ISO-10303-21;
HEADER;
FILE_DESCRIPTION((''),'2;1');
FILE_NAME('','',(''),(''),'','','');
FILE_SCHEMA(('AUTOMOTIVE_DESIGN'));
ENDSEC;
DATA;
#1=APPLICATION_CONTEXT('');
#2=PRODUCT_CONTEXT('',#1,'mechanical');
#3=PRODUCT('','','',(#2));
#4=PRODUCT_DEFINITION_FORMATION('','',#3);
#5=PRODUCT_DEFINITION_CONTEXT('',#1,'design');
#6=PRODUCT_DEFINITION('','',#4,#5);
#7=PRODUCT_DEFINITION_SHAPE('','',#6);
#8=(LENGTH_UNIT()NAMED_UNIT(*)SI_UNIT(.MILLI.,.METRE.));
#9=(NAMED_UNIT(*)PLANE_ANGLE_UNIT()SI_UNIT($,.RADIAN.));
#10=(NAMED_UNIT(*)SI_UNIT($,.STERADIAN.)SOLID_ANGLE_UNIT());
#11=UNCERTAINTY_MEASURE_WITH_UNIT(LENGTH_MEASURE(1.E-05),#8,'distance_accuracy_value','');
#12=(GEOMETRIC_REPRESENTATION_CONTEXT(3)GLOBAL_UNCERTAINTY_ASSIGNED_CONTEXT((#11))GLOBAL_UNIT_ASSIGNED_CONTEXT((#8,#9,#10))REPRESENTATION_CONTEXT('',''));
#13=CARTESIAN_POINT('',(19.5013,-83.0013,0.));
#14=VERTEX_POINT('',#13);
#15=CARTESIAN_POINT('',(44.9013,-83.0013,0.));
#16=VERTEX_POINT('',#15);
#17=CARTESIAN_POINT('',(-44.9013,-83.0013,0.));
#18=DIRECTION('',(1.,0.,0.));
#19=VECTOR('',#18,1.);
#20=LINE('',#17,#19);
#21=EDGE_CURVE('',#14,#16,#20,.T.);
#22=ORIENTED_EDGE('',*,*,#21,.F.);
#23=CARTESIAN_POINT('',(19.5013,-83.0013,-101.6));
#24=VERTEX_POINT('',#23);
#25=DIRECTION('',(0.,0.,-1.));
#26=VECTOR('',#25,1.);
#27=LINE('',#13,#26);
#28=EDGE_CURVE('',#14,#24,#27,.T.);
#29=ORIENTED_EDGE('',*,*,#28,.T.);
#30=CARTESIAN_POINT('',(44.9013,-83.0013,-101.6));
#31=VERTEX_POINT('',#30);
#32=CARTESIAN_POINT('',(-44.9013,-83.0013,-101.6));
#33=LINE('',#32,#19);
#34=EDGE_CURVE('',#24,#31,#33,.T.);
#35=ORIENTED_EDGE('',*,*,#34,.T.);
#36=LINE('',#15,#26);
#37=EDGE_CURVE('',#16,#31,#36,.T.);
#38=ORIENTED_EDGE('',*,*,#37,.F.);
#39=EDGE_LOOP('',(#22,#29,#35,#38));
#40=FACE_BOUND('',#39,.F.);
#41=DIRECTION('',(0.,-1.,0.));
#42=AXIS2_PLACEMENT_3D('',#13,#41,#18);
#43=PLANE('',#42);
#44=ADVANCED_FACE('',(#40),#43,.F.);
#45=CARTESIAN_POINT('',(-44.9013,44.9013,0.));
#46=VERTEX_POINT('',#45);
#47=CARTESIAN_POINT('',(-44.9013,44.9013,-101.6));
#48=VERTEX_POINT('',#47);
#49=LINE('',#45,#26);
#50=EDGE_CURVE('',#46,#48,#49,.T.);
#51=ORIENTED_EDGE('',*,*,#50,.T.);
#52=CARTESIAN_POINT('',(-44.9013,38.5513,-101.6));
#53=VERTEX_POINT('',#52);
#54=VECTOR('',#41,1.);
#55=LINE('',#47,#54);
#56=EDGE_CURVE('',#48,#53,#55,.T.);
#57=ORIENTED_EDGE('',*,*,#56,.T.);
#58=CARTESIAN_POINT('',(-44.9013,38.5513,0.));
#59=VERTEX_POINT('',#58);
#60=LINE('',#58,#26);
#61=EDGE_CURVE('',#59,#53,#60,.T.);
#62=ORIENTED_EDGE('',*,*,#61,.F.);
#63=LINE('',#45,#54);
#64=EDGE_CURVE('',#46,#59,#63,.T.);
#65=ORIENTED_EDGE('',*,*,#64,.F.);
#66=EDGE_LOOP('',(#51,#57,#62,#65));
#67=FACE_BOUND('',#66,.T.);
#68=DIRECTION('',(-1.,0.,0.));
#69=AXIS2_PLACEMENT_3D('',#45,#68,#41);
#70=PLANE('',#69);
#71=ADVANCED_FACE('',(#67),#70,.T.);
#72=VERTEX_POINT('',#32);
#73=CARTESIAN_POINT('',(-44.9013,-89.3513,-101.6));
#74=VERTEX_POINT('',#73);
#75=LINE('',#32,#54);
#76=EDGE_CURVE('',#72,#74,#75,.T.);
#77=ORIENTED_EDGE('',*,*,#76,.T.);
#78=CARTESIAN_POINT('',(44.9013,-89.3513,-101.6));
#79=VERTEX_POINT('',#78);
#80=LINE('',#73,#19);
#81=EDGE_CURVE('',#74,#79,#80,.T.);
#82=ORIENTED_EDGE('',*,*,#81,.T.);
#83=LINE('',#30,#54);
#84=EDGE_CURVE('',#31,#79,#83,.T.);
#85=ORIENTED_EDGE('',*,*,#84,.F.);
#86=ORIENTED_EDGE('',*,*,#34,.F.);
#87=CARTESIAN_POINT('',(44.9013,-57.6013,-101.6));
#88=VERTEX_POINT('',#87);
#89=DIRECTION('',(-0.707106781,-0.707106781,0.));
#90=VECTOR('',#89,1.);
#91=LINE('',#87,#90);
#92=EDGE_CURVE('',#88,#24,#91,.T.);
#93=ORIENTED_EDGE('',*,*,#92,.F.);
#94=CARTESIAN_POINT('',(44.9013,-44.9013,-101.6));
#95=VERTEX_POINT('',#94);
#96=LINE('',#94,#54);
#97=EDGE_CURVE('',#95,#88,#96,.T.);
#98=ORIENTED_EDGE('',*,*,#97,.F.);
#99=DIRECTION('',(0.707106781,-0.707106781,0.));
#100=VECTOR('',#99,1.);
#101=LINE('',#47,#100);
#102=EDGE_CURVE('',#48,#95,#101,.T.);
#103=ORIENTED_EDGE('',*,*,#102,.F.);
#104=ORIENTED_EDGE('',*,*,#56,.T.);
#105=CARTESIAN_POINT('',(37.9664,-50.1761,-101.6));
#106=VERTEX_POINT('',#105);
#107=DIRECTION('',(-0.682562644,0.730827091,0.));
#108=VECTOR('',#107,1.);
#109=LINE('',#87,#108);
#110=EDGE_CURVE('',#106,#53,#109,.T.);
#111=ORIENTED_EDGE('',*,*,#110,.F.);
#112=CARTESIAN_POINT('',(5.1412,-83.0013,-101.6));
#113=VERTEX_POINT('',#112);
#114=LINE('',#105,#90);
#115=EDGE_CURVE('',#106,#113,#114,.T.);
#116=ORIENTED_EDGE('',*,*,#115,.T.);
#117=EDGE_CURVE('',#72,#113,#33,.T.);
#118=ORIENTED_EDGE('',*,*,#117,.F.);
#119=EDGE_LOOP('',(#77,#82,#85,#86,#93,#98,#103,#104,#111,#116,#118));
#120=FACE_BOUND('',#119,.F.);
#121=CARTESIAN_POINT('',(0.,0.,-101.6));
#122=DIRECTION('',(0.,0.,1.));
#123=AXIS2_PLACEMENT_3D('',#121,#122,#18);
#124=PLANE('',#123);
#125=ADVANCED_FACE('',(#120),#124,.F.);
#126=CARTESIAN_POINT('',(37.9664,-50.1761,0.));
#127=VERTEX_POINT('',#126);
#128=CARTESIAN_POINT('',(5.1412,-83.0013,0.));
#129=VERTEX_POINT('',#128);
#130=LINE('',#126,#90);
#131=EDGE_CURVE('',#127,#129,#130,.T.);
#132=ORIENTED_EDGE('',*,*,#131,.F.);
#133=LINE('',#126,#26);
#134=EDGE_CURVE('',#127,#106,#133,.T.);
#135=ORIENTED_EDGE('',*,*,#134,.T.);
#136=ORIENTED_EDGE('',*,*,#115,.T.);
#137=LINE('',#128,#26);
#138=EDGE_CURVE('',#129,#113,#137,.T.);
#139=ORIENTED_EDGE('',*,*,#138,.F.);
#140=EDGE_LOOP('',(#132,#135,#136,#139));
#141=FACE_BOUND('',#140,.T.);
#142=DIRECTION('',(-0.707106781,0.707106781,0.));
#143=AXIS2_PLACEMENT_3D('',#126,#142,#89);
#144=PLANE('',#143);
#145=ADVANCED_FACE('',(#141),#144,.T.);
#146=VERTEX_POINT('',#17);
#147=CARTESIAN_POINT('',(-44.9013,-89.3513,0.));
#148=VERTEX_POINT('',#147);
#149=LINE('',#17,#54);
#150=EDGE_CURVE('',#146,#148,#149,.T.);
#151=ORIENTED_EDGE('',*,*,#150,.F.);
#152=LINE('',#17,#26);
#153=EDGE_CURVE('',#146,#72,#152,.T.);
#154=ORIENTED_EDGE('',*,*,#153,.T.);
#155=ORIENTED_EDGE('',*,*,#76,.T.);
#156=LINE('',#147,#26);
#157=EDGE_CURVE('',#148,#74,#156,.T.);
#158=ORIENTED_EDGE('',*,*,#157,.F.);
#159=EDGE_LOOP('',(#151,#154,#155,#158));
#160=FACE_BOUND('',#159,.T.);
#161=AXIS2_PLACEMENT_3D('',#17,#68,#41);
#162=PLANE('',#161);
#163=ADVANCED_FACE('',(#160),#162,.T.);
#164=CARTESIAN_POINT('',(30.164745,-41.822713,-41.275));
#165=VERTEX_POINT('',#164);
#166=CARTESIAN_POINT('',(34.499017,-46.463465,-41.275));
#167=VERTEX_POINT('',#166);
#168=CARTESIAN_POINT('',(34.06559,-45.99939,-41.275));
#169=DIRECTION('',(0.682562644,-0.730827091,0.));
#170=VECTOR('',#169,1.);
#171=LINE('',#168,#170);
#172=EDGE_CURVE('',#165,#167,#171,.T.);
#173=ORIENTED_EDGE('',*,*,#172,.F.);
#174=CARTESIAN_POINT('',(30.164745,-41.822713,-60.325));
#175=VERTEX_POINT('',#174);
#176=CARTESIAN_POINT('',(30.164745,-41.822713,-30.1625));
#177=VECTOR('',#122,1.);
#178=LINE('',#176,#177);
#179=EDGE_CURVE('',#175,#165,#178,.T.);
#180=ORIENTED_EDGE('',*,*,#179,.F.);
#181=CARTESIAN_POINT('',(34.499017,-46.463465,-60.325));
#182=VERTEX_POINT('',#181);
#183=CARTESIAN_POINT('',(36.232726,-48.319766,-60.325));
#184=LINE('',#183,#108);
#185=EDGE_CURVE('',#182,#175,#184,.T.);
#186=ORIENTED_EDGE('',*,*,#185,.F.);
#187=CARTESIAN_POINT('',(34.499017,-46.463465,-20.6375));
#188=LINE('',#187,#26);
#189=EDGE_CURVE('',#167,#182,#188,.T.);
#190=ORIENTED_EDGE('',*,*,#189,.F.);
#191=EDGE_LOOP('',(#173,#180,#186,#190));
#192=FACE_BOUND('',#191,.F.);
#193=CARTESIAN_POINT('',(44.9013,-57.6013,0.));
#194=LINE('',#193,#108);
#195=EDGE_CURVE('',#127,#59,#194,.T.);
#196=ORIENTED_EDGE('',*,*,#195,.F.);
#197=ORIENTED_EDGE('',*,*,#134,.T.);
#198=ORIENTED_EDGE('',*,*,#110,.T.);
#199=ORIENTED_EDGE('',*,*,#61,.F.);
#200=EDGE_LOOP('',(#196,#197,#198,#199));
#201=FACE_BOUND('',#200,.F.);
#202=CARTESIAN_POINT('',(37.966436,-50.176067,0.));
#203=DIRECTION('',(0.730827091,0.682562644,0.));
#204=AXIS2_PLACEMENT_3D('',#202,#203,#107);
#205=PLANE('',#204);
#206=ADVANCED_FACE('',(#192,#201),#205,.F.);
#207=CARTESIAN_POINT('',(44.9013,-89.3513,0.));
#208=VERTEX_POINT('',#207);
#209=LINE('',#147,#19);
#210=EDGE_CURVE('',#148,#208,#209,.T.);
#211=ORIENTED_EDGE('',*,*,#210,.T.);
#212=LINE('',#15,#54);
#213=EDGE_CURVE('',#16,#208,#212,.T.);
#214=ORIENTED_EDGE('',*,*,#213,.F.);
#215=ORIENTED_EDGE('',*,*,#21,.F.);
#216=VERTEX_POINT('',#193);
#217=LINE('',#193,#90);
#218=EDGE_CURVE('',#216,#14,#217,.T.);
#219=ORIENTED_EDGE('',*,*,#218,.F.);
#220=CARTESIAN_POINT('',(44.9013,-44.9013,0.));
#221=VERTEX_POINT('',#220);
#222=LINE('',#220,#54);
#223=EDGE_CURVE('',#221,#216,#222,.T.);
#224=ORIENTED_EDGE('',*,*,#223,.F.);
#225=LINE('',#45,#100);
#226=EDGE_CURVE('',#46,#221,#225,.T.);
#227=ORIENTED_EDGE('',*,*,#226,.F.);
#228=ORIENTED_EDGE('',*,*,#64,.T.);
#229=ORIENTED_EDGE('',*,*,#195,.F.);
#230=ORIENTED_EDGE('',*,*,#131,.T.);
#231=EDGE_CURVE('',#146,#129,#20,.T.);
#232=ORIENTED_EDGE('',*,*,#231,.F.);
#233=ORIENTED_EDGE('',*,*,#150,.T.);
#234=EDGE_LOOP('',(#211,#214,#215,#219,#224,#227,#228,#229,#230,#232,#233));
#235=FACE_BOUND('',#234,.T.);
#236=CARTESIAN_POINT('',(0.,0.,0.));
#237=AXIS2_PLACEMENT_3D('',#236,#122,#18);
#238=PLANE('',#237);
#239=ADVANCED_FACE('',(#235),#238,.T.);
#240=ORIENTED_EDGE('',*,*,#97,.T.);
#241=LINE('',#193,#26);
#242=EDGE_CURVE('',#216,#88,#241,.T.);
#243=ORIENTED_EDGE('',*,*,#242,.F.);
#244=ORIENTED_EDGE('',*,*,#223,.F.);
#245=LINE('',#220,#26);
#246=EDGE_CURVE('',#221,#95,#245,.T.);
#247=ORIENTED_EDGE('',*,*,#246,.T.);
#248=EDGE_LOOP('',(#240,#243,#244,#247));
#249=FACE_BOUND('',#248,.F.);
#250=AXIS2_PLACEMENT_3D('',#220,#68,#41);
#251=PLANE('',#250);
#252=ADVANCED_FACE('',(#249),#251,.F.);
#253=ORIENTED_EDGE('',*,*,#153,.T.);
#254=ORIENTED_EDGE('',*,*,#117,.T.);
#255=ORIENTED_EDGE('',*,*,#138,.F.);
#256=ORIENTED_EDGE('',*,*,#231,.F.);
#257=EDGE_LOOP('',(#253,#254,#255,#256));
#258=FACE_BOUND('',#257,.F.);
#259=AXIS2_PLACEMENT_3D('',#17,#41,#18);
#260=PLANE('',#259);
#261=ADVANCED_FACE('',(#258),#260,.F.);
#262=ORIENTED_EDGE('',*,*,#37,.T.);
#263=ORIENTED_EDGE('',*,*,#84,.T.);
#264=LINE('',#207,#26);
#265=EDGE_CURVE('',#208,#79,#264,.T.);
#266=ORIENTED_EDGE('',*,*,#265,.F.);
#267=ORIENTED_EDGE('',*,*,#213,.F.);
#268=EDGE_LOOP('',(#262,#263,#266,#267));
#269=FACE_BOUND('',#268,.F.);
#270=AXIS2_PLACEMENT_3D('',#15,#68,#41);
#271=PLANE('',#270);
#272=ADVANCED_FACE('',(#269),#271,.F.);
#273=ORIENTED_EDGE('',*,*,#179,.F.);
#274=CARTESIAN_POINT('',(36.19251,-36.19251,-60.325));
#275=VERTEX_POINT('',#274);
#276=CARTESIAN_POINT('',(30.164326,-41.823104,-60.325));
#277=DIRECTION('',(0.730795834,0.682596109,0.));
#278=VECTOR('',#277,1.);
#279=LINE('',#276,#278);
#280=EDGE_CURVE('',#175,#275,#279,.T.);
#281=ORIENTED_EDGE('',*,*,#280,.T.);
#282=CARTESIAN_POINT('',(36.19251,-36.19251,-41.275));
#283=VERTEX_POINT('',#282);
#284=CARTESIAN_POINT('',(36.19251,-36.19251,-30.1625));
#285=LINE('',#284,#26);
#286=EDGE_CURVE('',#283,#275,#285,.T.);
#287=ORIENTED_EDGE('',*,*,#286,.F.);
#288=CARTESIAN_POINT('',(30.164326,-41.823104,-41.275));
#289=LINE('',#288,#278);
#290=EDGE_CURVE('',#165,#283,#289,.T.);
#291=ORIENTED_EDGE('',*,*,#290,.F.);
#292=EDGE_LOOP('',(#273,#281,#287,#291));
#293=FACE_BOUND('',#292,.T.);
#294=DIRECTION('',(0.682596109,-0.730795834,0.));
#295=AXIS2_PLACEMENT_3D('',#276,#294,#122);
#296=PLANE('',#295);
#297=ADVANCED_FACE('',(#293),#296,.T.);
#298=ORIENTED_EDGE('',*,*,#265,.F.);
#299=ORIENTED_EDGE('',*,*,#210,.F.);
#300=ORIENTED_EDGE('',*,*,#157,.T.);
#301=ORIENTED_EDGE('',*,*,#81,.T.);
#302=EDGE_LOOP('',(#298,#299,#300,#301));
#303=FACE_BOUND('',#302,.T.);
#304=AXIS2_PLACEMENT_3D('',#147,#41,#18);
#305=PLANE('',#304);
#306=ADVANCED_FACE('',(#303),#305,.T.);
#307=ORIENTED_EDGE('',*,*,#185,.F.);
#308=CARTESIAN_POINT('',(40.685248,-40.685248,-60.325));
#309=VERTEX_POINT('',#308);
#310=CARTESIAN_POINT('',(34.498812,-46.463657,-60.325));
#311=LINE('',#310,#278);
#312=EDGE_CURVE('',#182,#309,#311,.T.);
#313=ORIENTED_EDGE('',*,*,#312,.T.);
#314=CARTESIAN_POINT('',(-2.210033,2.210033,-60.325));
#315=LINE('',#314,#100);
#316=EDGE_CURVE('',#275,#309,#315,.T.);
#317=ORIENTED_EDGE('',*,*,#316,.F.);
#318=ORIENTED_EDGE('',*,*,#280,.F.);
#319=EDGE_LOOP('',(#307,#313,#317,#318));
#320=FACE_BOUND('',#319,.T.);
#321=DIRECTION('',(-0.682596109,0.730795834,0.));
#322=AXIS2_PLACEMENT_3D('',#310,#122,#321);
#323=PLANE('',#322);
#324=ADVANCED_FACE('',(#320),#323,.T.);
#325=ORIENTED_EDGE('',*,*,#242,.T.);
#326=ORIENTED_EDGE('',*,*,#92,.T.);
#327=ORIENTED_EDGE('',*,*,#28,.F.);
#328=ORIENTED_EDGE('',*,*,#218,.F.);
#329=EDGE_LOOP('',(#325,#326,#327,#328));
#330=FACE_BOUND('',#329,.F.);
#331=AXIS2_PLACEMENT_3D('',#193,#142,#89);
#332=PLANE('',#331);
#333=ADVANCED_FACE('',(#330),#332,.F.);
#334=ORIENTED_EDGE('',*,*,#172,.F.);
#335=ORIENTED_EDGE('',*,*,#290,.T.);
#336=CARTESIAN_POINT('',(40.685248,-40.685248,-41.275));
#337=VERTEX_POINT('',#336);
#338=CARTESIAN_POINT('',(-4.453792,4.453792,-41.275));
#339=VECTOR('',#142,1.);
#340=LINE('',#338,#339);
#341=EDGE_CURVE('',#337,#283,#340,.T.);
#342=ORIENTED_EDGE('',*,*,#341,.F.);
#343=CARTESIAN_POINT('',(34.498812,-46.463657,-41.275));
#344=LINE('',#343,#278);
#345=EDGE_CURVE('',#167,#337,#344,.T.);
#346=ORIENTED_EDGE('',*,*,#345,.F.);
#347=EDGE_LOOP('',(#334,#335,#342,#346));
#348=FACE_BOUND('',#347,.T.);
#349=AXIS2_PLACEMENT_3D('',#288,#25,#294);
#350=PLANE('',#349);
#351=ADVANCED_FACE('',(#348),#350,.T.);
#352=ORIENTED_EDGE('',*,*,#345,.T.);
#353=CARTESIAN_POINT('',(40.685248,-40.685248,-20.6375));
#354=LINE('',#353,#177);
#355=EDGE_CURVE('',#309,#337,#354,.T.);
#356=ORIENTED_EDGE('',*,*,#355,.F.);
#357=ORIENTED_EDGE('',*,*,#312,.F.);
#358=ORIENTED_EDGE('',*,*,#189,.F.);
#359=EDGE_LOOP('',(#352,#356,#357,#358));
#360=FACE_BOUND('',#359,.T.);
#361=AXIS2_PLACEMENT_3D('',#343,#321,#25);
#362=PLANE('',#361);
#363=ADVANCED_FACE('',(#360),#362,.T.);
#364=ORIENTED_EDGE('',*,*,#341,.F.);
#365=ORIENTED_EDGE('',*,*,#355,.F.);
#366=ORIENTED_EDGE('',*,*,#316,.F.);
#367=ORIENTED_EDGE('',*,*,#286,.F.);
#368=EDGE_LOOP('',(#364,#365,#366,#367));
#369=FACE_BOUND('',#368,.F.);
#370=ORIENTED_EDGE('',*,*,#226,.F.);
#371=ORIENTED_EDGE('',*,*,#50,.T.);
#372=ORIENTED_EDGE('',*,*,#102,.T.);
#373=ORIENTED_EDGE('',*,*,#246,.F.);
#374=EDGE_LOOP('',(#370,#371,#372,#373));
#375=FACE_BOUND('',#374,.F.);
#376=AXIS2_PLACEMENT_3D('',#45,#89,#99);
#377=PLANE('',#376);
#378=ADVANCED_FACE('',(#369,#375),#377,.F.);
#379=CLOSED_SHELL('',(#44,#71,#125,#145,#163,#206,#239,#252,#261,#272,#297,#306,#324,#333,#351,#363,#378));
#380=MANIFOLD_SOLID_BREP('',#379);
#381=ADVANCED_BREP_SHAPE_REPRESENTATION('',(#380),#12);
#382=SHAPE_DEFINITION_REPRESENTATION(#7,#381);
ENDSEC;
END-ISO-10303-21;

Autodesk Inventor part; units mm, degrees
ref_plane "YZ Plane" through (0, 0, 0) normal (1, 0, 0) x (0, 1, 0)
ref_plane "XZ Plane" through (0, 0, 0) normal (0, 1, 0) x (-1, 0, 0)
ref_plane "XY Plane" through (0, 0, 0) normal (0, 0, 1) x (1, 0, 0)
sketch "Sketch1" plane through (0, 0, 0) normal (0, 0, 1) x (1, 0, 0)
  line L0 (-44.9013, 44.9013) -> (44.9013, -44.9013)
  line L1 (-44.9013, 44.9013) -> (82.0987, 44.9013) construction
  line L2 (-44.9013, 44.9013) -> (-44.9013, 38.5513)
  line L3 (44.9013, -44.9013) -> (44.9013, -57.6013)
  line L4 (44.9013, -57.6013) -> (-44.9013, 38.5513)
  line L5 (44.9013, -57.6013) -> (44.9013, -83.0013) construction
  line L6 (-44.9013, 38.5513) -> (-44.9013, -83.0013) construction
  line L7 (-44.9013, 38.5513) -> (76.6513, 38.5513) construction
  line L8 (-44.9013, -83.0013) -> (44.9013, -83.0013)
  line L9 (-44.9013, -83.0013) -> (-44.9013, -89.3513)
  line L10 (44.9013, -83.0013) -> (44.9013, -89.3513)
  line L11 (44.9013, -83.0013) -> (51.2513, -83.0013) construction
  line L12 (-44.9013, -89.3513) -> (44.9013, -89.3513)
  line L13 (44.9013, -57.6013) -> (19.5013, -83.0013)
  line L14 (44.9013, -57.6013) -> (80.8223, -57.6013) construction
  line L15 (44.9013, -57.6013) -> (37.9664, -50.1761) construction
  line L16 (37.9664, -50.1761) -> (5.1412, -83.0013)
  line L17 (37.9664, -50.1761) -> (84.3883, -50.1761) construction
  point P0 (0, 0)
  point P1 (0, 0)
  dimension "d0" = 127
  dimension "d1" = 45
  dimension "d2" = 6.35
  dimension "d4" = 25.4
  dimension "d5" = 12.7
  dimension "d6" = 90
  dimension "d7" = 6.35
  dimension "d8" = 90
  dimension "d9" = 135
  dimension "d10" = 10.16
  dimension "d11" = 135
extrude "Extrusion1" add sketch "Sketch1" against normal blind 101.6
sketch "Sketch4" plane through (37.9664, -50.1761, -101.6) normal (-0.7308, -0.6826, 0) x (0, 0, 1)
  line L0 (0, -1.5843) -> (0, 0) projected
  line L1 (101.6, 0) -> (101.6, -1.5843) projected
  line L2 (0, 0) -> (101.6, 0) construction
  line L3 (101.6, 0) -> (0, 0) projected
  line L4 (50.8, 0) -> (50.8, 5.08) construction
  line L5 (50.8, 0) -> (55.88, 0) construction
  line L6 (41.275, 11.43) -> (60.325, 11.43)
  line L7 (60.325, 11.43) -> (60.325, 5.08)
  line L8 (60.325, 5.08) -> (41.275, 5.08)
  line L9 (41.275, 5.08) -> (41.275, 11.43)
  point P0 (101.6, 62.5845)
  dimension "d22" = 5.08
  dimension "d23" = 90
  dimension "d24" = 19.05
  dimension "d25" = 6.35
extrude "Extrusion4" cut sketch "Sketch4" against normal up to next
properties part number "proto_1"
